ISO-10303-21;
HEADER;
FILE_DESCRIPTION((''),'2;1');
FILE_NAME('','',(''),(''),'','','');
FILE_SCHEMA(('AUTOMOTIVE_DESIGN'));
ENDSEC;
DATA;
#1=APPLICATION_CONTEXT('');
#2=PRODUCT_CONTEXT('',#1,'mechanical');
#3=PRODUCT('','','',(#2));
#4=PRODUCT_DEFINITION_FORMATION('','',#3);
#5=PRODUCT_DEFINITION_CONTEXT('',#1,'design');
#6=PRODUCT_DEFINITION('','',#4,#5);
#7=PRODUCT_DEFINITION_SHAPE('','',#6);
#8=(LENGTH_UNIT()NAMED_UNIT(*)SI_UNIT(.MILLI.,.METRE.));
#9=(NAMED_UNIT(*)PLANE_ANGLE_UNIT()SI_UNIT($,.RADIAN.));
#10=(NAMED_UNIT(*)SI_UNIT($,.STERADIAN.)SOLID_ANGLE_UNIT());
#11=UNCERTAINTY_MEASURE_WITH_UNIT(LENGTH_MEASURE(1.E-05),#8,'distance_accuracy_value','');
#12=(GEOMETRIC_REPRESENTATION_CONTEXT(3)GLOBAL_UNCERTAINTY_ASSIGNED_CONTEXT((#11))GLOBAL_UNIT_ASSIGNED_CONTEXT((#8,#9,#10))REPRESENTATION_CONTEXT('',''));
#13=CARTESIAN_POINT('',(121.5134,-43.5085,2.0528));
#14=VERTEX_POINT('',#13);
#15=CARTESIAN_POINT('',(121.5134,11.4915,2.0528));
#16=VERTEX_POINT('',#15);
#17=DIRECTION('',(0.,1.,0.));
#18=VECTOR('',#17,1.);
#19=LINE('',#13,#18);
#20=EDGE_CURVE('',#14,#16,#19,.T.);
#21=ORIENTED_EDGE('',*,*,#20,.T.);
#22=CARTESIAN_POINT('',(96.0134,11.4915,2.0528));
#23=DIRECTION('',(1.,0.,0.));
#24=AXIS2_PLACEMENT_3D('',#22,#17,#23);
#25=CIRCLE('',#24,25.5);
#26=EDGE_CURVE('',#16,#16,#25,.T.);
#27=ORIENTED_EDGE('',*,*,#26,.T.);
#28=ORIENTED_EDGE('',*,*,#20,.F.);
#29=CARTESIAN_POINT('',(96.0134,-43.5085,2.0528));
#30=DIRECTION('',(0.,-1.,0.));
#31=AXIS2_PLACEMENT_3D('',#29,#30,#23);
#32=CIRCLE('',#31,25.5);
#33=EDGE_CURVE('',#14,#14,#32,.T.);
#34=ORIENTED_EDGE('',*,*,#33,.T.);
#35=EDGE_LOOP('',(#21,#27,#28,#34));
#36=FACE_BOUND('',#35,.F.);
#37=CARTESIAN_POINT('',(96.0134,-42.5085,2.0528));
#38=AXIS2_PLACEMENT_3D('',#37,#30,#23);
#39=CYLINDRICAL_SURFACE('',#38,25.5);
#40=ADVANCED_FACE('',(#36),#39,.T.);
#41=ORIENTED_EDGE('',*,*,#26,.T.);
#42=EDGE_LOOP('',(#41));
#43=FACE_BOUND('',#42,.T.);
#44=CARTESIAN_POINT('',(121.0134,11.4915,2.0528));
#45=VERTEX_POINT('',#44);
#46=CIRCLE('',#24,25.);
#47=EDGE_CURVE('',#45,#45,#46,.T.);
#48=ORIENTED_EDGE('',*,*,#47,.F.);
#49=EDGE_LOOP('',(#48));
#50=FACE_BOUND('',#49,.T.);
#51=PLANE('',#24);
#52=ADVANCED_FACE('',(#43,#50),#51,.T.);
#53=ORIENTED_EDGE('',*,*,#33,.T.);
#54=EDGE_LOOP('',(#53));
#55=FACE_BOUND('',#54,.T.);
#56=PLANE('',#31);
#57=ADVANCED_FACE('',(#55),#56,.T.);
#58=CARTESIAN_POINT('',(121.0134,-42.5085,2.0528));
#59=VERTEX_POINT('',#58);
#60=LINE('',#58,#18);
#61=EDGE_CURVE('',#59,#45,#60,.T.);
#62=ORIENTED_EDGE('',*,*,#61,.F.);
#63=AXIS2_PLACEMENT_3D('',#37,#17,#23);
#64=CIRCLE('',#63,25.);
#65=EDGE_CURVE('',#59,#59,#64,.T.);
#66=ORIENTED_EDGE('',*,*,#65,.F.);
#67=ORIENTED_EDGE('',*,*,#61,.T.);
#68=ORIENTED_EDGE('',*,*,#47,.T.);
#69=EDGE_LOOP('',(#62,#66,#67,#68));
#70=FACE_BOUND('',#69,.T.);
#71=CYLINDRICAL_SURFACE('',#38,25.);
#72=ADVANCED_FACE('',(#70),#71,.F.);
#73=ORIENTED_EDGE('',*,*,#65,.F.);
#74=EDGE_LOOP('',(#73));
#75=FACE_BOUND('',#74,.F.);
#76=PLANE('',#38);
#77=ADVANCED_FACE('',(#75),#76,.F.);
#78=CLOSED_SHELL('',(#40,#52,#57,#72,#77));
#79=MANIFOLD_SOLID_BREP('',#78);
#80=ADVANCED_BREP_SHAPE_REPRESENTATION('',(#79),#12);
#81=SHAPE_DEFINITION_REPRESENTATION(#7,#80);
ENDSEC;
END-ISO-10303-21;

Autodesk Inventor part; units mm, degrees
ref_plane "YZ Plane" through (0, 0, 0) normal (1, 0, 0) x (0, 1, 0)
ref_plane "XZ Plane" through (0, 0, 0) normal (0, 1, 0) x (-1, 0, 0)
ref_plane "XY Plane" through (0, 0, 0) normal (0, 0, 1) x (1, 0, 0)
sketch "Sketch1" plane through (0, 0, 0) normal (0, 1, 0) x (-1, 0, 0)
  point P0 (0, 0)
ref_plane "Work Plane1" through (96.0134, -42.5085, 2.0528) normal (0, -1, 0) x (1, 0, 0)
sketch "Sketch2" plane through (96.0134, -42.5085, 2.0528) normal (0, -1, 0) x (1, 0, 0)
  arc A0 (-14.4004, -10.7994) -> (-7.7362, -10.3996) centre (-11.2003, -8.3996) ccw projected
  arc A1 (-16.5528, -7.0714) -> (-14.4004, -10.7994) centre (0, 0) ccw projected
  arc A2 (-12.8744, -1.5) -> (-16.5528, -7.0714) centre (-12.8744, -5.5) ccw projected
  line L0 (-8.6603, -1.5) -> (-12.8744, -1.5) projected
  arc A3 (-5.6292, -6.75) -> (-8.6603, -1.5) centre (-8.6603, -5) ccw projected
  line L1 (-7.7362, -10.3996) -> (-5.6292, -6.75) projected
  circle A4 centre (0, 0) radius 22 projected
  arc A5 (-8.6603, 1.5) -> (-5.6292, 6.75) centre (-8.6603, 5) ccw projected
  line L2 (-12.8744, 1.5) -> (-8.6603, 1.5) projected
  arc A6 (-16.5528, 7.0714) -> (-12.8744, 1.5) centre (-12.8744, 5.5) ccw projected
  arc A7 (-14.4004, 10.7994) -> (-16.5528, 7.0714) centre (0, 0) ccw projected
  arc A8 (-7.7362, 10.3996) -> (-14.4004, 10.7994) centre (-11.2003, 8.3996) ccw projected
  line L3 (-5.6292, 6.75) -> (-7.7362, 10.3996) projected
  arc A9 (-3.0311, 8.25) -> (3.0311, 8.25) centre (0, 10) ccw projected
  line L4 (-5.1382, 11.8996) -> (-3.0311, 8.25) projected
  arc A10 (-2.1524, 17.8709) -> (-5.1382, 11.8996) centre (-1.6741, 13.8996) ccw projected
  arc A11 (2.1524, 17.8709) -> (-2.1524, 17.8709) centre (0, 0) ccw projected
  arc A12 (5.1382, 11.8996) -> (2.1524, 17.8709) centre (1.6741, 13.8996) ccw projected
  line L5 (3.0311, 8.25) -> (5.1382, 11.8996) projected
  arc A13 (14.4004, 10.7994) -> (7.7362, 10.3996) centre (11.2003, 8.3996) ccw projected
  arc A14 (16.5528, 7.0714) -> (14.4004, 10.7994) centre (0, 0) ccw projected
  arc A15 (12.8744, 1.5) -> (16.5528, 7.0714) centre (12.8744, 5.5) ccw projected
  line L6 (8.6603, 1.5) -> (12.8744, 1.5) projected
  arc A16 (5.6292, 6.75) -> (8.6603, 1.5) centre (8.6603, 5) ccw projected
  line L7 (7.7362, 10.3996) -> (5.6292, 6.75) projected
  arc A17 (8.6603, -1.5) -> (5.6292, -6.75) centre (8.6603, -5) ccw projected
  line L8 (12.8744, -1.5) -> (8.6603, -1.5) projected
  arc A18 (16.5528, -7.0714) -> (12.8744, -1.5) centre (12.8744, -5.5) ccw projected
  arc A19 (14.4004, -10.7994) -> (16.5528, -7.0714) centre (0, 0) ccw projected
  arc A20 (7.7362, -10.3996) -> (14.4004, -10.7994) centre (11.2003, -8.3996) ccw projected
  line L9 (5.6292, -6.75) -> (7.7362, -10.3996) projected
  arc A21 (-5.1382, -11.8996) -> (-2.1524, -17.8709) centre (-1.6741, -13.8996) ccw projected
  line L10 (-3.0311, -8.25) -> (-5.1382, -11.8996) projected
  arc A22 (3.0311, -8.25) -> (-3.0311, -8.25) centre (0, -10) ccw projected
  line L11 (5.1382, -11.8996) -> (3.0311, -8.25) projected
  arc A23 (2.1524, -17.8709) -> (5.1382, -11.8996) centre (1.6741, -13.8996) ccw projected
  arc A24 (-2.1524, -17.8709) -> (2.1524, -17.8709) centre (0, 0) ccw projected
  arc A25 (-2.2605, 3.3) -> (-2.2605, -3.3) centre (0, 0) ccw projected
  line L12 (2.2605, 3.3) -> (-2.2605, 3.3) projected
  arc A26 (2.2605, -3.3) -> (2.2605, 3.3) centre (0, 0) ccw projected
  line L13 (-2.2605, -3.3) -> (2.2605, -3.3) projected
  circle A27 centre (0, 0) radius 25.5
  point P0 (-96.0134, -2.0528)
  dimension "d0" = 51
extrude "Extrusion1" add sketch "Sketch2" along normal blind 1 contours A1 A2 L0 A3 L1 A0 | A4 | L2 A6 A7 A8 L3 A5 | L4 A10 A11 A12 L5 A9 | A14 A15 L6 A16 L7 A13 | L8 A18 A19 A20 L9 A17 | L10 A22 L11 A23 A24 A21 | L12 A26 L13 A25 | A27
sketch "Sketch3" plane through (96.0134, -42.5085, 2.0528) normal (0, 1, 0) x (1, 0, 0)
  circle A0 centre (0, 0) radius 25.5 projected
  circle A1 centre (0, 0) radius 25
  point P0 (-96.0134, 2.0528)
  dimension "d3" = 50
extrude "Extrusion2" add sketch "Sketch3" along normal blind 54
properties part number "doWylewanka"
